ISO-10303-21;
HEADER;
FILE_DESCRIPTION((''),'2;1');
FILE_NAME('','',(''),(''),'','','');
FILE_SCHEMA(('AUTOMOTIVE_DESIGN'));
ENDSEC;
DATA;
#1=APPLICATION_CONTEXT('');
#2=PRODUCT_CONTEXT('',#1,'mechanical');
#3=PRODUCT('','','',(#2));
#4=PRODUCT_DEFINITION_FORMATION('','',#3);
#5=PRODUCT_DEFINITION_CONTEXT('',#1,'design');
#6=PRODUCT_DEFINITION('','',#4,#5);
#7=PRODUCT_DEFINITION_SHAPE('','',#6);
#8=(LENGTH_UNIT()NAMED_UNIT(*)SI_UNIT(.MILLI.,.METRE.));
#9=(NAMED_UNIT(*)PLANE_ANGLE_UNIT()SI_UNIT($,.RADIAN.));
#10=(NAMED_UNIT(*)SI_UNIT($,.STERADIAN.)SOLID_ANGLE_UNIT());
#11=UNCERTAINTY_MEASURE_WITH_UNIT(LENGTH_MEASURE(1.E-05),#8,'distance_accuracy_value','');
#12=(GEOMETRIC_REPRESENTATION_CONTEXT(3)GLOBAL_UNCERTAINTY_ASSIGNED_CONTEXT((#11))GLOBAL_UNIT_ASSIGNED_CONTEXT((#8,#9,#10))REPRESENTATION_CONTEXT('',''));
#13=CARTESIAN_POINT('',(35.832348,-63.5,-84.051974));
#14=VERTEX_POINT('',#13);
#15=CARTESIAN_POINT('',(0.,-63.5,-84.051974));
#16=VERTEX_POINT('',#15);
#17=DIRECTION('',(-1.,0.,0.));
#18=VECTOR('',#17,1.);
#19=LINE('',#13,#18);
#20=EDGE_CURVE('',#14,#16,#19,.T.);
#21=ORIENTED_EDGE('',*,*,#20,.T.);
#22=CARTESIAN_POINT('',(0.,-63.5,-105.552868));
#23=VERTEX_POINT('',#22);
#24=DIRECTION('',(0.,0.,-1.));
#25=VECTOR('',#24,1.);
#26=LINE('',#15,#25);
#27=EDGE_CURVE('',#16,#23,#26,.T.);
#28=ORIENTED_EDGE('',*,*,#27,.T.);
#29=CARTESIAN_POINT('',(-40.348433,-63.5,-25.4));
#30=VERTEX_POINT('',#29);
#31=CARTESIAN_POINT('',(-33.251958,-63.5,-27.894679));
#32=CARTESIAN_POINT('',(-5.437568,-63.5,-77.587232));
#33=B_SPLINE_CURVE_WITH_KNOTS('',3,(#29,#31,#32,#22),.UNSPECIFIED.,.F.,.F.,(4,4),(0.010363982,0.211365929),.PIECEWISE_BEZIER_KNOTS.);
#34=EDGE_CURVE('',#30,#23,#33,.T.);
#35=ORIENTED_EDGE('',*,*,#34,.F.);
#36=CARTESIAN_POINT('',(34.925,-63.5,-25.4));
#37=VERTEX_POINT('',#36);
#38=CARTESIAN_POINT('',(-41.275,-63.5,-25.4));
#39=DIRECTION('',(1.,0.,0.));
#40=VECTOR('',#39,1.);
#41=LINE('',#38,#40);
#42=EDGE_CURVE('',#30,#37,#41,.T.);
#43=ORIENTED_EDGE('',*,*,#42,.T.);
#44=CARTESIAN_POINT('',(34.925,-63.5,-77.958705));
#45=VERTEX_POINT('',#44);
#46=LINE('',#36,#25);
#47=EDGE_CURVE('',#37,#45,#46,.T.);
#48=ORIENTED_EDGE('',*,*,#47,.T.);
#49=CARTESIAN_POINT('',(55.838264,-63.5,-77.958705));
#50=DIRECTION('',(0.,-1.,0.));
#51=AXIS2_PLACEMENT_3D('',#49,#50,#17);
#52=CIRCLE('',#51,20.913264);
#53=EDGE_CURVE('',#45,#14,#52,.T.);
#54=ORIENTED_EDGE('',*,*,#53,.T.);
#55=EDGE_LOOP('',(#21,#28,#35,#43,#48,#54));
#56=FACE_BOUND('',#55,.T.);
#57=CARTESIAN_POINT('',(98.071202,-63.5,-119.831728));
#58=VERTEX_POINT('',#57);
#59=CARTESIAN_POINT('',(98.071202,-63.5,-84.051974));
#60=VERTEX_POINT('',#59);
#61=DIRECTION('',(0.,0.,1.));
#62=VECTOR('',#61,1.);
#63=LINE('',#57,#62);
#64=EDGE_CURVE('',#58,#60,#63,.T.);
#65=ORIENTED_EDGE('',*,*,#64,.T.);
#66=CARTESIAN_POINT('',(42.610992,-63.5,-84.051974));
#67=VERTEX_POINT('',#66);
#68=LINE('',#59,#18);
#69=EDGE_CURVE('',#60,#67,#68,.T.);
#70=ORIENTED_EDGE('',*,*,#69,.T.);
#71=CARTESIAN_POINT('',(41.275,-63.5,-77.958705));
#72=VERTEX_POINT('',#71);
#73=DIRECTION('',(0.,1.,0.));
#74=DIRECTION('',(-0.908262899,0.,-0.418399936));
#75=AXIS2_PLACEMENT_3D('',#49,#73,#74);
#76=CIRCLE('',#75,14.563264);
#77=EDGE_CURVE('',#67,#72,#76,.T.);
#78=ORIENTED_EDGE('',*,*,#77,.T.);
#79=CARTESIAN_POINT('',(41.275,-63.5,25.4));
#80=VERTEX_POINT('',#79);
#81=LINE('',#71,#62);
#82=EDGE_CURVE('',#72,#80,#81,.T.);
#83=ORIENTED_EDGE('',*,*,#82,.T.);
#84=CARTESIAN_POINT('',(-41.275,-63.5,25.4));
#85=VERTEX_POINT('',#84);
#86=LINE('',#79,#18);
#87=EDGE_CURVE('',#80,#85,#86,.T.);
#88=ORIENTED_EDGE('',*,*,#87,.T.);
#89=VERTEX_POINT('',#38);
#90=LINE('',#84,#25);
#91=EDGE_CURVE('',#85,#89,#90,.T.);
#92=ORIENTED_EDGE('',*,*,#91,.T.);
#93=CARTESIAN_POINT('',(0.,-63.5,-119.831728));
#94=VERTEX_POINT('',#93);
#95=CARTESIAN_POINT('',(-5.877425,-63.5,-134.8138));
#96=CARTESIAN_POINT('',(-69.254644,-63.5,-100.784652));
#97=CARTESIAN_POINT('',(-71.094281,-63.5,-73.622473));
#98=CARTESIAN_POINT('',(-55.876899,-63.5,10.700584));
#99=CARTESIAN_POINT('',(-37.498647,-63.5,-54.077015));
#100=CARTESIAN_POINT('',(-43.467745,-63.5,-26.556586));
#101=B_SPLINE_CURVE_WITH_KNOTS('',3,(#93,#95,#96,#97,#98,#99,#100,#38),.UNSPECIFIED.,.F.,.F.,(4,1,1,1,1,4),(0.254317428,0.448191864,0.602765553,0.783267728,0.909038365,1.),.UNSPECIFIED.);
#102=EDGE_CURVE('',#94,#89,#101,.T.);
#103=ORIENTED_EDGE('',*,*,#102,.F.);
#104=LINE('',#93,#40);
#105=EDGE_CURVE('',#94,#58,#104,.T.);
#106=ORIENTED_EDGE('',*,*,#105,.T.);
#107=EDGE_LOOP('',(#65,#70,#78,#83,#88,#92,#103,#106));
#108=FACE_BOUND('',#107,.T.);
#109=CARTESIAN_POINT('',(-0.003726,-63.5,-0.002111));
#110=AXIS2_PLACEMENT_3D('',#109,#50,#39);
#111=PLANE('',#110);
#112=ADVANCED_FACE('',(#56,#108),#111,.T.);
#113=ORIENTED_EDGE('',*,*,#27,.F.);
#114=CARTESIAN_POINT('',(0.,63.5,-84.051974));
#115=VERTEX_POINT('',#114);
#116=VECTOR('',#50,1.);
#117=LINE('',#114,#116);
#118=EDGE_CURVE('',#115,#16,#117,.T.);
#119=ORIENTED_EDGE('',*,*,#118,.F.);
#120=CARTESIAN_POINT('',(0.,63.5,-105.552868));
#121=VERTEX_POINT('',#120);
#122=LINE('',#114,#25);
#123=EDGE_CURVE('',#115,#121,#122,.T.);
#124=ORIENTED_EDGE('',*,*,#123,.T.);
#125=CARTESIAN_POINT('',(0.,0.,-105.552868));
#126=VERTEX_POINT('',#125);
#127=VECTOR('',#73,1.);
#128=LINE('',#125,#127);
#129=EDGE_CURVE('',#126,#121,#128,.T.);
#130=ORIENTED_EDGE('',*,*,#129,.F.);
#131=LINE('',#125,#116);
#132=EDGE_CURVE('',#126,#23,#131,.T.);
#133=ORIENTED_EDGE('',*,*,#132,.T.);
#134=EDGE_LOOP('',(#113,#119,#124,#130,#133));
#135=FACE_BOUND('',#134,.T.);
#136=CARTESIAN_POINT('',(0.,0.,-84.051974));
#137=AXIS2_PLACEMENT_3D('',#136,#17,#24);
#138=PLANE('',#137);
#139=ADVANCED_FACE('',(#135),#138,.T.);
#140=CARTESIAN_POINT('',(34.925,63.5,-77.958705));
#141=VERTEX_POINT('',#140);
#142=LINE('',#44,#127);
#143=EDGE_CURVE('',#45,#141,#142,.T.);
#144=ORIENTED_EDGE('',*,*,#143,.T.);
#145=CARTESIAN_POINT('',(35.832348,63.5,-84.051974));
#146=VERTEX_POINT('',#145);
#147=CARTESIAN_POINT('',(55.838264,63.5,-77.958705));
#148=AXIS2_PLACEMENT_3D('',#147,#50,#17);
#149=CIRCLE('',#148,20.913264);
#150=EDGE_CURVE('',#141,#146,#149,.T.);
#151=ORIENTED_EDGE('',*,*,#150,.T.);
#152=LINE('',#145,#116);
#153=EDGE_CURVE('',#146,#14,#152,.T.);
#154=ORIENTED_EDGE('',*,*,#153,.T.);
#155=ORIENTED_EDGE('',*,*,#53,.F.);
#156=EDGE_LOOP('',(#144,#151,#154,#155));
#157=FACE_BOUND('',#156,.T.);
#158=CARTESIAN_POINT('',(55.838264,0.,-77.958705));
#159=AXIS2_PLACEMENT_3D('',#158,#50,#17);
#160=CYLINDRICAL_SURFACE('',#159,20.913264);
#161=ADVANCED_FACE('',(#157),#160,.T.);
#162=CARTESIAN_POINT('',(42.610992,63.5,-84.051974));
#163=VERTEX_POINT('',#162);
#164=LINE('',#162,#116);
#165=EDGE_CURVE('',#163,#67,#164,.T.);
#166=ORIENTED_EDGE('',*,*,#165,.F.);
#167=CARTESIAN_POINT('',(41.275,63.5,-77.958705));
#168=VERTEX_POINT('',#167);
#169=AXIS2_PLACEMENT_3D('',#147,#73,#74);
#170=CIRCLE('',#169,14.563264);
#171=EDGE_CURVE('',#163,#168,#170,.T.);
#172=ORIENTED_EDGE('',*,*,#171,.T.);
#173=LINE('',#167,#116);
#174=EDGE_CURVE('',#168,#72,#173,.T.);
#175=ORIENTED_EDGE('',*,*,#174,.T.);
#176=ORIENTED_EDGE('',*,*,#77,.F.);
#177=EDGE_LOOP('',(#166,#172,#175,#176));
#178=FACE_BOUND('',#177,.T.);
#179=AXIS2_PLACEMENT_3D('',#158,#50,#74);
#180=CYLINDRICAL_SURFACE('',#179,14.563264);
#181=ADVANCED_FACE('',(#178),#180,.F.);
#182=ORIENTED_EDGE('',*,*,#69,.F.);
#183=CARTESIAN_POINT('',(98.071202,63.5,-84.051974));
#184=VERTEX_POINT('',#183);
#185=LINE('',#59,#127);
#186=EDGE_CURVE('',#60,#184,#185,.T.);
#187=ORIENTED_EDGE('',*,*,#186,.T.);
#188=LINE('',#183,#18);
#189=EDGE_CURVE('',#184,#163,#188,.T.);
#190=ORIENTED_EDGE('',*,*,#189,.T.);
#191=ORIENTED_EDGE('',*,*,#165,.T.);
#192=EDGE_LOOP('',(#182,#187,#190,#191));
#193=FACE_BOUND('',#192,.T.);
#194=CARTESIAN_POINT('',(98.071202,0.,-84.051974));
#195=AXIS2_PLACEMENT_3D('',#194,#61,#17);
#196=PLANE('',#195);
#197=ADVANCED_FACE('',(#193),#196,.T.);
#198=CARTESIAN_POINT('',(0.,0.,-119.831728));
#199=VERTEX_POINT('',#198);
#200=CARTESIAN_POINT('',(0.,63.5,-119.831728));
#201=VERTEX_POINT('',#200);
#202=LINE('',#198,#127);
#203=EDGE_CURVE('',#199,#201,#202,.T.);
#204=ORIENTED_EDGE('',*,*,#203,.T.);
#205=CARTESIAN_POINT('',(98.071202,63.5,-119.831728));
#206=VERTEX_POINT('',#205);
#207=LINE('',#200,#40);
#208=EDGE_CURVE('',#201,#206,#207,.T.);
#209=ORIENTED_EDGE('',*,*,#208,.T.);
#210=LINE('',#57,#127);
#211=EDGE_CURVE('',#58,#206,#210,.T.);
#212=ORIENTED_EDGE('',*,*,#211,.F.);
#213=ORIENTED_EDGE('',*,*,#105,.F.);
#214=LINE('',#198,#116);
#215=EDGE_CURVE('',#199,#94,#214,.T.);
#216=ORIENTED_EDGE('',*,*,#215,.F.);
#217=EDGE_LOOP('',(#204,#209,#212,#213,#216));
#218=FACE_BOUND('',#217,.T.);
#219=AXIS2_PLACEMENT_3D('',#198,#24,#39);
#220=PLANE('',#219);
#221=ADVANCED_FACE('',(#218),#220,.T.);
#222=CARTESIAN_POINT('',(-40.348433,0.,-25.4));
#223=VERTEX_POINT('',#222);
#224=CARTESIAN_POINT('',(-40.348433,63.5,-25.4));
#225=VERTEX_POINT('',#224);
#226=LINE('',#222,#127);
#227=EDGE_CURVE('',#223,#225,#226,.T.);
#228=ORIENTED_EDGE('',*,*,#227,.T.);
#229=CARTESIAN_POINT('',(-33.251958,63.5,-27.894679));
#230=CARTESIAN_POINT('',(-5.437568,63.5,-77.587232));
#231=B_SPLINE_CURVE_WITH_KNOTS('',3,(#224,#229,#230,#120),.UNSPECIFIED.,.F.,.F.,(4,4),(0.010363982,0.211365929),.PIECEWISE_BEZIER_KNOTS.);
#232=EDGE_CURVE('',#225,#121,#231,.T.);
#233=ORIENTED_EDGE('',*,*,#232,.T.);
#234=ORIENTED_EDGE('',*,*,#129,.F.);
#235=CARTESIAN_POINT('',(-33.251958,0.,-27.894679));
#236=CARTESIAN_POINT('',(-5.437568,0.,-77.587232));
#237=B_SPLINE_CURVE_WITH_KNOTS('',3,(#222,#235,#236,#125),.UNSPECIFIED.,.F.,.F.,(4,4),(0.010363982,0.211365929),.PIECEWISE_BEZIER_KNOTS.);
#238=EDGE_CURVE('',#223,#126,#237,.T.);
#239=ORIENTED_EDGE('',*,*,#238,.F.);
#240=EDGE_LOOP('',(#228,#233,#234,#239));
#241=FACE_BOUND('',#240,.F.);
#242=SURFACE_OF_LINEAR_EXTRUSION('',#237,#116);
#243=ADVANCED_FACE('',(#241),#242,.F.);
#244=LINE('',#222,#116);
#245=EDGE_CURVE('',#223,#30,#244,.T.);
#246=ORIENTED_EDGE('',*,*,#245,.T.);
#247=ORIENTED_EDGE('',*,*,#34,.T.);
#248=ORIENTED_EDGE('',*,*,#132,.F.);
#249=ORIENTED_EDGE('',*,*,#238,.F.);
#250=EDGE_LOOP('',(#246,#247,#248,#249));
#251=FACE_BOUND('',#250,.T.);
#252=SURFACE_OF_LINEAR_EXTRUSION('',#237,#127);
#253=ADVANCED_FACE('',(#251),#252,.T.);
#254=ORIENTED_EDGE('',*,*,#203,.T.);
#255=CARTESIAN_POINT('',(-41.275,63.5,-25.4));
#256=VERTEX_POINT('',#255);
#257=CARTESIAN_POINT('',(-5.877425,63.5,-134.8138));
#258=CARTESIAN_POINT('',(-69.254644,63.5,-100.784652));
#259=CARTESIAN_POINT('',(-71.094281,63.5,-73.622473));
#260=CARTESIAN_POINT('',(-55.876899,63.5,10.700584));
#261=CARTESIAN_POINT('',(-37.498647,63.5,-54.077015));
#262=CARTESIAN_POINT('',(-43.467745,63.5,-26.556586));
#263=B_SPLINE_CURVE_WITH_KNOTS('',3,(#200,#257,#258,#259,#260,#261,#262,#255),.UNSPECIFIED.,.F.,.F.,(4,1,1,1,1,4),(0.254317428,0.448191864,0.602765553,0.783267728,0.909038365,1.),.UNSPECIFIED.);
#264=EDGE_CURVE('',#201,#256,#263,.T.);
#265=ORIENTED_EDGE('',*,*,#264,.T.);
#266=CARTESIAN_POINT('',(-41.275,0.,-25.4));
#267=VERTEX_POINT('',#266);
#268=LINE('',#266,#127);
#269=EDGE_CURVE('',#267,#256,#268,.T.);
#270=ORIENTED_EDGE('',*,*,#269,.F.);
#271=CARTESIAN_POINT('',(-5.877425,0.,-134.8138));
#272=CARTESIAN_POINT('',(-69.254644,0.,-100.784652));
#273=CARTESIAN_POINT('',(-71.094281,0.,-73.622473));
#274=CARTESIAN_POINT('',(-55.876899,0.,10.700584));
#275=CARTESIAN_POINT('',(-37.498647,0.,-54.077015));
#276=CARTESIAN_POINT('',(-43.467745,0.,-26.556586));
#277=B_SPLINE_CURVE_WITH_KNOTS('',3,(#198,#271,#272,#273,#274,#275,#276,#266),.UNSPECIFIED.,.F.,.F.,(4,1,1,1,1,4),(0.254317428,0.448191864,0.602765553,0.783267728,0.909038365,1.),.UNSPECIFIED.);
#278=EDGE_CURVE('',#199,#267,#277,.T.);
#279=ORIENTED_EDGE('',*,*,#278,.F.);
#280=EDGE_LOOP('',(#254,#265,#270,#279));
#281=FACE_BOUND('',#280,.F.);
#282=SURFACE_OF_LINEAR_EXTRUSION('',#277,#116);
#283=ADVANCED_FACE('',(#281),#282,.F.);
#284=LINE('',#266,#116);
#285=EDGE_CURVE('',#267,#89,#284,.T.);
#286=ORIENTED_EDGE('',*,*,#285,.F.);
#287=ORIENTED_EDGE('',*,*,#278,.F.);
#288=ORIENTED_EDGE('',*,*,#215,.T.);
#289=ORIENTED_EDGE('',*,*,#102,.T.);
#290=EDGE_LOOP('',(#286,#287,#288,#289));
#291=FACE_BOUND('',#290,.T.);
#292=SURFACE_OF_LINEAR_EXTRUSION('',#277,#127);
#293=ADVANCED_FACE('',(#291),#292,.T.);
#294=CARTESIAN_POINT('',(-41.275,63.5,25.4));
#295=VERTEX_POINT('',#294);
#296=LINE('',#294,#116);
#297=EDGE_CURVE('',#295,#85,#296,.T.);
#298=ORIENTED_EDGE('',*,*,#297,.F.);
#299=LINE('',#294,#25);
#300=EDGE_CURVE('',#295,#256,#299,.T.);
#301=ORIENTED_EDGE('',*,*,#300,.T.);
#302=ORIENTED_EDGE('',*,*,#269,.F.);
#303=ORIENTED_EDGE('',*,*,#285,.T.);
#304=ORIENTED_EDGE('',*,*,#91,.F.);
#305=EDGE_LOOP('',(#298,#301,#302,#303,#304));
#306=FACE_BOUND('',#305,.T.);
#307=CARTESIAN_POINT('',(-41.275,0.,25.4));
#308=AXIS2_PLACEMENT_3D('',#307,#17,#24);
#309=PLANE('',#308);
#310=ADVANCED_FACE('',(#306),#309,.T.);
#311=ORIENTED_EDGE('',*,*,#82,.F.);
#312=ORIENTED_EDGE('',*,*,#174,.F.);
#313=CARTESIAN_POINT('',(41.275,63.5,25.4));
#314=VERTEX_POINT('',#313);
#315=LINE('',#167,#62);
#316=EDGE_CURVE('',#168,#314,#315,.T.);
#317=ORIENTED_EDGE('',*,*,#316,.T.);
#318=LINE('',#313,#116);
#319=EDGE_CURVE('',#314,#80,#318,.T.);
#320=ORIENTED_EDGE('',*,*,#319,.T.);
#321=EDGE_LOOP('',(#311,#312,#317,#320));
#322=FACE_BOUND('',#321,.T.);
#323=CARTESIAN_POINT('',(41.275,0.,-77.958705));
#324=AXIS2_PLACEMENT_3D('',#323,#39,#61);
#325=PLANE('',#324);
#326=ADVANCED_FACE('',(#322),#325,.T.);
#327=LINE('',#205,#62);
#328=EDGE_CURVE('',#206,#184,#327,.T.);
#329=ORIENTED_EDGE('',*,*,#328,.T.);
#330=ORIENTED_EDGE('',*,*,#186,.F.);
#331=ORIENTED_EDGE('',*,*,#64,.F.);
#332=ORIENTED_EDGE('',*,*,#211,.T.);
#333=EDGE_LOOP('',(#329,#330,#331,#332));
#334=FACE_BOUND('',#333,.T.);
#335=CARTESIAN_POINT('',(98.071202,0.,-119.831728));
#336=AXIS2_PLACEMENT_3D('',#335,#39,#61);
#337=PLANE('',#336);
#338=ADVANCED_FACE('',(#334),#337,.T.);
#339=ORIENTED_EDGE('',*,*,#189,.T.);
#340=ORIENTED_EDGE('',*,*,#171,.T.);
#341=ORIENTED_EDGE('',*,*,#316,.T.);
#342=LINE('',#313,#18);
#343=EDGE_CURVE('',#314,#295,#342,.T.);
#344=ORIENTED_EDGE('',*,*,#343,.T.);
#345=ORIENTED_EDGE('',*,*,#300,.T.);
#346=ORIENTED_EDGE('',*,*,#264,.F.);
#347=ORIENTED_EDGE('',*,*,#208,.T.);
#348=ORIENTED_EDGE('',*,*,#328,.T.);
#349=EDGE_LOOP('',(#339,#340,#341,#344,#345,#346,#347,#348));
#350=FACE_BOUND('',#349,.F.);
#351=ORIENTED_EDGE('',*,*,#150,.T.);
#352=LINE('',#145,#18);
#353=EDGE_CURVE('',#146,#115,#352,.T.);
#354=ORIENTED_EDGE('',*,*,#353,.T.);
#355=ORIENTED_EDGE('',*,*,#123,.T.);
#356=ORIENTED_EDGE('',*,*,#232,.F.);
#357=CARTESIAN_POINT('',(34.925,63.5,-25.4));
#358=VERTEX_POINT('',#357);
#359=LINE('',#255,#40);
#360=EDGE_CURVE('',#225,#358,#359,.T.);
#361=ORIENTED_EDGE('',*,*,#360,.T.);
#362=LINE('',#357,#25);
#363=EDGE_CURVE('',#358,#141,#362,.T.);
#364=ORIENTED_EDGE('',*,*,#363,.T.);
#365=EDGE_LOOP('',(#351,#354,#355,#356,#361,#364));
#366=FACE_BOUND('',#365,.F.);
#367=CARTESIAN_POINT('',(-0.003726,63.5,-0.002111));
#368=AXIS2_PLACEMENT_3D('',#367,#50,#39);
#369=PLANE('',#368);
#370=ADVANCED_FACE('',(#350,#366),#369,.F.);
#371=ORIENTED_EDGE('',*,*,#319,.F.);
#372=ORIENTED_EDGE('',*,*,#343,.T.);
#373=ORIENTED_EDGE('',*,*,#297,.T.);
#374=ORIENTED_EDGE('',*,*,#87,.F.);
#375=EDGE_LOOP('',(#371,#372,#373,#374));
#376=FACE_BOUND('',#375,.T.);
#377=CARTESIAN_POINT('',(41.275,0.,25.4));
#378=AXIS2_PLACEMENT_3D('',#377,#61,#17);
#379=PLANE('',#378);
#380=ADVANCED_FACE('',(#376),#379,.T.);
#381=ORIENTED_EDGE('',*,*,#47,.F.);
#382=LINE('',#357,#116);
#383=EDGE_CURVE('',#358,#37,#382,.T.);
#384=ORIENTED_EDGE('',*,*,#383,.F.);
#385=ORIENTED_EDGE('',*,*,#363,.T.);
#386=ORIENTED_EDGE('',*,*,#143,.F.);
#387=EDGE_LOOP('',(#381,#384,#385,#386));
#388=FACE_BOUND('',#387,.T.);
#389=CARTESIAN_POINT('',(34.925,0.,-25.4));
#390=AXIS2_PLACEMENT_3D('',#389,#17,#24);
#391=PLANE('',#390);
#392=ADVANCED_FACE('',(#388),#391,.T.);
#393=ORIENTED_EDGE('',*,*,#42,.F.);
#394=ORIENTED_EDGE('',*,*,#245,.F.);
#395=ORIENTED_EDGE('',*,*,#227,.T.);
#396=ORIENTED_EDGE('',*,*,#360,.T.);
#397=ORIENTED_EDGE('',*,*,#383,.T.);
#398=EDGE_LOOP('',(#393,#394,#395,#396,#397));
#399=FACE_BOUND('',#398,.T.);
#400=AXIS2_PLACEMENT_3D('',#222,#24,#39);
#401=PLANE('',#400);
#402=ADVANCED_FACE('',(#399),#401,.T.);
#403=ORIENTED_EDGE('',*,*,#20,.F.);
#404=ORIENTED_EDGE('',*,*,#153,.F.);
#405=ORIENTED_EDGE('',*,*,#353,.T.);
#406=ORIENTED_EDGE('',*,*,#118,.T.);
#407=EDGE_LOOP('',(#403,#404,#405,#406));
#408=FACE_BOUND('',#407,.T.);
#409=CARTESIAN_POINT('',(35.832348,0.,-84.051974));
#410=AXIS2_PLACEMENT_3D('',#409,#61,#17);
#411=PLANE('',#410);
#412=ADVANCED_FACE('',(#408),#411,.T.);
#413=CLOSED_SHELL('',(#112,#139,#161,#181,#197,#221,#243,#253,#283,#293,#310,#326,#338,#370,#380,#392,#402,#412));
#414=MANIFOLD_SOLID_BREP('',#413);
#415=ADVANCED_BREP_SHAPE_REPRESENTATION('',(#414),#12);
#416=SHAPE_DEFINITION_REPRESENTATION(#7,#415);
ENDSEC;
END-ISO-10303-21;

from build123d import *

# Parameters (mm, degrees)
F1_DEPTH = 63.5


with BuildPart() as f1:
    # F0 (on Front) → F1 (new body, symmetric)
    with BuildSketch(Plane.XZ):
        with BuildLine():
            Line((41.275, -25.4), (41.275, 25.4))
            Line((41.275, 25.4), (-41.275, 25.4))
            Line((-41.275, 25.4), (-41.275, -25.4))
            add(Edge.make_bspline(
                [(-41.275, -25.4), (-41.0251631495, -25.2682209146), (-40.7143381803, -25.2713703549), (-40.3484325882, -25.4)],
                knots=[0, 0, 0, 0, 0.0103639822, 0.0103639822, 0.0103639822, 0.0103639822], degree=3))
            Line((-40.3484325882, -25.4), (34.925, -25.4))
            Line((34.925, -25.4), (41.275, -25.4))
        make_face()
        with BuildLine():
            Line((41.275, -77.9587051659), (41.275, -25.4))
            Line((41.275, -25.4), (34.925, -25.4))
            Line((34.925, -25.4), (34.925, -77.9587051659))
            ThreePointArc((34.925, -77.9587051659), (35.1530806437, -81.0389325154), (35.8323476668, -84.0519737723))
            Line((35.8323476668, -84.0519737723), (42.6109915941, -84.0519737723))
            ThreePointArc((42.6109915941, -84.0519737723), (41.6129183385, -81.0777112516), (41.275, -77.9587051659))
        make_face()
        with BuildLine():
            add(Edge.make_bspline(
                [(-41.275, -25.4), (-41.0251631495, -25.2682209146), (-40.7143381803, -25.2713703549), (-40.3484325882, -25.4)],
                knots=[0, 0, 0, 0, 0.0103639822, 0.0103639822, 0.0103639822, 0.0103639822], degree=3))
            Line((-41.275, -25.4), (-40.3484325882, -25.4))
        make_face()
        with BuildLine():
            Line((-40.3484325882, -25.4), (-41.275, -25.4))
            add(Edge.make_bspline(
                [(0, -119.8317275898), (-5.8774254103, -134.8138000546), (-69.2546435796, -100.7846524204), (-71.0942813509, -73.6224732662), (-55.8768987696, 10.7005844338), (-37.4986467676, -54.0770153592), (-43.467744841, -26.5565864246), (-41.275, -25.4)],
                knots=[0.2543174283, 0.2543174283, 0.2543174283, 0.2543174283, 0.4481918638, 0.6027655534, 0.7832677282, 0.9090383647, 1, 1, 1, 1], degree=3))
            Line((0, -119.8317275898), (0, -105.5528684028))
            add(Edge.make_bspline(
                [(-40.3484325882, -25.4), (-33.2519579826, -27.8946790369), (-5.4375679655, -77.5872315187), (0, -105.5528684028)],
                knots=[0.0103639822, 0.0103639822, 0.0103639822, 0.0103639822, 0.2113659292, 0.2113659292, 0.2113659292, 0.2113659292], degree=3))
        make_face()
        with BuildLine():
            add(Edge.make_bspline(
                [(0, -105.5528684028), (1.1619374778, -111.5287608959), (1.3021016993, -116.5125562428), (0, -119.8317275898)],
                knots=[0.2113659292, 0.2113659292, 0.2113659292, 0.2113659292, 0.2543174283, 0.2543174283, 0.2543174283, 0.2543174283], degree=3))
            Line((0, -119.8317275898), (98.0712024719, -119.8317275898))
            Line((98.0712024719, -119.8317275898), (98.0712024719, -84.0519737723))
            Line((98.0712024719, -84.0519737723), (75.8441797926, -84.0519737723))
            ThreePointArc((75.8441797926, -84.0519737723), (55.8382637297, -98.8719688955), (35.8323476668, -84.0519737723))
            Line((35.8323476668, -84.0519737723), (0, -84.0519737723))
            Line((0, -84.0519737723), (0, -105.5528684028))
        make_face()
        with BuildLine():
            Line((0, -105.5528684028), (0, -119.8317275898))
            add(Edge.make_bspline(
                [(0, -105.5528684028), (1.1619374778, -111.5287608959), (1.3021016993, -116.5125562428), (0, -119.8317275898)],
                knots=[0.2113659292, 0.2113659292, 0.2113659292, 0.2113659292, 0.2543174283, 0.2543174283, 0.2543174283, 0.2543174283], degree=3))
        make_face()
        with BuildLine():
            ThreePointArc((69.0655358653, -84.0519737723), (55.8382637297, -92.5219688955), (42.6109915941, -84.0519737723))
            Line((42.6109915941, -84.0519737723), (35.8323476668, -84.0519737723))
            ThreePointArc((35.8323476668, -84.0519737723), (55.8382637297, -98.8719688955), (75.8441797926, -84.0519737723))
            Line((75.8441797926, -84.0519737723), (69.0655358653, -84.0519737723))
        make_face()
        with BuildLine():
            Line((69.0655358653, -84.0519737723), (42.6109915941, -84.0519737723))
            ThreePointArc((42.6109915941, -84.0519737723), (55.8382637297, -92.5219688955), (69.0655358653, -84.0519737723))
        make_face()
    extrude(amount=F1_DEPTH, both=True)


solid = f1.part
